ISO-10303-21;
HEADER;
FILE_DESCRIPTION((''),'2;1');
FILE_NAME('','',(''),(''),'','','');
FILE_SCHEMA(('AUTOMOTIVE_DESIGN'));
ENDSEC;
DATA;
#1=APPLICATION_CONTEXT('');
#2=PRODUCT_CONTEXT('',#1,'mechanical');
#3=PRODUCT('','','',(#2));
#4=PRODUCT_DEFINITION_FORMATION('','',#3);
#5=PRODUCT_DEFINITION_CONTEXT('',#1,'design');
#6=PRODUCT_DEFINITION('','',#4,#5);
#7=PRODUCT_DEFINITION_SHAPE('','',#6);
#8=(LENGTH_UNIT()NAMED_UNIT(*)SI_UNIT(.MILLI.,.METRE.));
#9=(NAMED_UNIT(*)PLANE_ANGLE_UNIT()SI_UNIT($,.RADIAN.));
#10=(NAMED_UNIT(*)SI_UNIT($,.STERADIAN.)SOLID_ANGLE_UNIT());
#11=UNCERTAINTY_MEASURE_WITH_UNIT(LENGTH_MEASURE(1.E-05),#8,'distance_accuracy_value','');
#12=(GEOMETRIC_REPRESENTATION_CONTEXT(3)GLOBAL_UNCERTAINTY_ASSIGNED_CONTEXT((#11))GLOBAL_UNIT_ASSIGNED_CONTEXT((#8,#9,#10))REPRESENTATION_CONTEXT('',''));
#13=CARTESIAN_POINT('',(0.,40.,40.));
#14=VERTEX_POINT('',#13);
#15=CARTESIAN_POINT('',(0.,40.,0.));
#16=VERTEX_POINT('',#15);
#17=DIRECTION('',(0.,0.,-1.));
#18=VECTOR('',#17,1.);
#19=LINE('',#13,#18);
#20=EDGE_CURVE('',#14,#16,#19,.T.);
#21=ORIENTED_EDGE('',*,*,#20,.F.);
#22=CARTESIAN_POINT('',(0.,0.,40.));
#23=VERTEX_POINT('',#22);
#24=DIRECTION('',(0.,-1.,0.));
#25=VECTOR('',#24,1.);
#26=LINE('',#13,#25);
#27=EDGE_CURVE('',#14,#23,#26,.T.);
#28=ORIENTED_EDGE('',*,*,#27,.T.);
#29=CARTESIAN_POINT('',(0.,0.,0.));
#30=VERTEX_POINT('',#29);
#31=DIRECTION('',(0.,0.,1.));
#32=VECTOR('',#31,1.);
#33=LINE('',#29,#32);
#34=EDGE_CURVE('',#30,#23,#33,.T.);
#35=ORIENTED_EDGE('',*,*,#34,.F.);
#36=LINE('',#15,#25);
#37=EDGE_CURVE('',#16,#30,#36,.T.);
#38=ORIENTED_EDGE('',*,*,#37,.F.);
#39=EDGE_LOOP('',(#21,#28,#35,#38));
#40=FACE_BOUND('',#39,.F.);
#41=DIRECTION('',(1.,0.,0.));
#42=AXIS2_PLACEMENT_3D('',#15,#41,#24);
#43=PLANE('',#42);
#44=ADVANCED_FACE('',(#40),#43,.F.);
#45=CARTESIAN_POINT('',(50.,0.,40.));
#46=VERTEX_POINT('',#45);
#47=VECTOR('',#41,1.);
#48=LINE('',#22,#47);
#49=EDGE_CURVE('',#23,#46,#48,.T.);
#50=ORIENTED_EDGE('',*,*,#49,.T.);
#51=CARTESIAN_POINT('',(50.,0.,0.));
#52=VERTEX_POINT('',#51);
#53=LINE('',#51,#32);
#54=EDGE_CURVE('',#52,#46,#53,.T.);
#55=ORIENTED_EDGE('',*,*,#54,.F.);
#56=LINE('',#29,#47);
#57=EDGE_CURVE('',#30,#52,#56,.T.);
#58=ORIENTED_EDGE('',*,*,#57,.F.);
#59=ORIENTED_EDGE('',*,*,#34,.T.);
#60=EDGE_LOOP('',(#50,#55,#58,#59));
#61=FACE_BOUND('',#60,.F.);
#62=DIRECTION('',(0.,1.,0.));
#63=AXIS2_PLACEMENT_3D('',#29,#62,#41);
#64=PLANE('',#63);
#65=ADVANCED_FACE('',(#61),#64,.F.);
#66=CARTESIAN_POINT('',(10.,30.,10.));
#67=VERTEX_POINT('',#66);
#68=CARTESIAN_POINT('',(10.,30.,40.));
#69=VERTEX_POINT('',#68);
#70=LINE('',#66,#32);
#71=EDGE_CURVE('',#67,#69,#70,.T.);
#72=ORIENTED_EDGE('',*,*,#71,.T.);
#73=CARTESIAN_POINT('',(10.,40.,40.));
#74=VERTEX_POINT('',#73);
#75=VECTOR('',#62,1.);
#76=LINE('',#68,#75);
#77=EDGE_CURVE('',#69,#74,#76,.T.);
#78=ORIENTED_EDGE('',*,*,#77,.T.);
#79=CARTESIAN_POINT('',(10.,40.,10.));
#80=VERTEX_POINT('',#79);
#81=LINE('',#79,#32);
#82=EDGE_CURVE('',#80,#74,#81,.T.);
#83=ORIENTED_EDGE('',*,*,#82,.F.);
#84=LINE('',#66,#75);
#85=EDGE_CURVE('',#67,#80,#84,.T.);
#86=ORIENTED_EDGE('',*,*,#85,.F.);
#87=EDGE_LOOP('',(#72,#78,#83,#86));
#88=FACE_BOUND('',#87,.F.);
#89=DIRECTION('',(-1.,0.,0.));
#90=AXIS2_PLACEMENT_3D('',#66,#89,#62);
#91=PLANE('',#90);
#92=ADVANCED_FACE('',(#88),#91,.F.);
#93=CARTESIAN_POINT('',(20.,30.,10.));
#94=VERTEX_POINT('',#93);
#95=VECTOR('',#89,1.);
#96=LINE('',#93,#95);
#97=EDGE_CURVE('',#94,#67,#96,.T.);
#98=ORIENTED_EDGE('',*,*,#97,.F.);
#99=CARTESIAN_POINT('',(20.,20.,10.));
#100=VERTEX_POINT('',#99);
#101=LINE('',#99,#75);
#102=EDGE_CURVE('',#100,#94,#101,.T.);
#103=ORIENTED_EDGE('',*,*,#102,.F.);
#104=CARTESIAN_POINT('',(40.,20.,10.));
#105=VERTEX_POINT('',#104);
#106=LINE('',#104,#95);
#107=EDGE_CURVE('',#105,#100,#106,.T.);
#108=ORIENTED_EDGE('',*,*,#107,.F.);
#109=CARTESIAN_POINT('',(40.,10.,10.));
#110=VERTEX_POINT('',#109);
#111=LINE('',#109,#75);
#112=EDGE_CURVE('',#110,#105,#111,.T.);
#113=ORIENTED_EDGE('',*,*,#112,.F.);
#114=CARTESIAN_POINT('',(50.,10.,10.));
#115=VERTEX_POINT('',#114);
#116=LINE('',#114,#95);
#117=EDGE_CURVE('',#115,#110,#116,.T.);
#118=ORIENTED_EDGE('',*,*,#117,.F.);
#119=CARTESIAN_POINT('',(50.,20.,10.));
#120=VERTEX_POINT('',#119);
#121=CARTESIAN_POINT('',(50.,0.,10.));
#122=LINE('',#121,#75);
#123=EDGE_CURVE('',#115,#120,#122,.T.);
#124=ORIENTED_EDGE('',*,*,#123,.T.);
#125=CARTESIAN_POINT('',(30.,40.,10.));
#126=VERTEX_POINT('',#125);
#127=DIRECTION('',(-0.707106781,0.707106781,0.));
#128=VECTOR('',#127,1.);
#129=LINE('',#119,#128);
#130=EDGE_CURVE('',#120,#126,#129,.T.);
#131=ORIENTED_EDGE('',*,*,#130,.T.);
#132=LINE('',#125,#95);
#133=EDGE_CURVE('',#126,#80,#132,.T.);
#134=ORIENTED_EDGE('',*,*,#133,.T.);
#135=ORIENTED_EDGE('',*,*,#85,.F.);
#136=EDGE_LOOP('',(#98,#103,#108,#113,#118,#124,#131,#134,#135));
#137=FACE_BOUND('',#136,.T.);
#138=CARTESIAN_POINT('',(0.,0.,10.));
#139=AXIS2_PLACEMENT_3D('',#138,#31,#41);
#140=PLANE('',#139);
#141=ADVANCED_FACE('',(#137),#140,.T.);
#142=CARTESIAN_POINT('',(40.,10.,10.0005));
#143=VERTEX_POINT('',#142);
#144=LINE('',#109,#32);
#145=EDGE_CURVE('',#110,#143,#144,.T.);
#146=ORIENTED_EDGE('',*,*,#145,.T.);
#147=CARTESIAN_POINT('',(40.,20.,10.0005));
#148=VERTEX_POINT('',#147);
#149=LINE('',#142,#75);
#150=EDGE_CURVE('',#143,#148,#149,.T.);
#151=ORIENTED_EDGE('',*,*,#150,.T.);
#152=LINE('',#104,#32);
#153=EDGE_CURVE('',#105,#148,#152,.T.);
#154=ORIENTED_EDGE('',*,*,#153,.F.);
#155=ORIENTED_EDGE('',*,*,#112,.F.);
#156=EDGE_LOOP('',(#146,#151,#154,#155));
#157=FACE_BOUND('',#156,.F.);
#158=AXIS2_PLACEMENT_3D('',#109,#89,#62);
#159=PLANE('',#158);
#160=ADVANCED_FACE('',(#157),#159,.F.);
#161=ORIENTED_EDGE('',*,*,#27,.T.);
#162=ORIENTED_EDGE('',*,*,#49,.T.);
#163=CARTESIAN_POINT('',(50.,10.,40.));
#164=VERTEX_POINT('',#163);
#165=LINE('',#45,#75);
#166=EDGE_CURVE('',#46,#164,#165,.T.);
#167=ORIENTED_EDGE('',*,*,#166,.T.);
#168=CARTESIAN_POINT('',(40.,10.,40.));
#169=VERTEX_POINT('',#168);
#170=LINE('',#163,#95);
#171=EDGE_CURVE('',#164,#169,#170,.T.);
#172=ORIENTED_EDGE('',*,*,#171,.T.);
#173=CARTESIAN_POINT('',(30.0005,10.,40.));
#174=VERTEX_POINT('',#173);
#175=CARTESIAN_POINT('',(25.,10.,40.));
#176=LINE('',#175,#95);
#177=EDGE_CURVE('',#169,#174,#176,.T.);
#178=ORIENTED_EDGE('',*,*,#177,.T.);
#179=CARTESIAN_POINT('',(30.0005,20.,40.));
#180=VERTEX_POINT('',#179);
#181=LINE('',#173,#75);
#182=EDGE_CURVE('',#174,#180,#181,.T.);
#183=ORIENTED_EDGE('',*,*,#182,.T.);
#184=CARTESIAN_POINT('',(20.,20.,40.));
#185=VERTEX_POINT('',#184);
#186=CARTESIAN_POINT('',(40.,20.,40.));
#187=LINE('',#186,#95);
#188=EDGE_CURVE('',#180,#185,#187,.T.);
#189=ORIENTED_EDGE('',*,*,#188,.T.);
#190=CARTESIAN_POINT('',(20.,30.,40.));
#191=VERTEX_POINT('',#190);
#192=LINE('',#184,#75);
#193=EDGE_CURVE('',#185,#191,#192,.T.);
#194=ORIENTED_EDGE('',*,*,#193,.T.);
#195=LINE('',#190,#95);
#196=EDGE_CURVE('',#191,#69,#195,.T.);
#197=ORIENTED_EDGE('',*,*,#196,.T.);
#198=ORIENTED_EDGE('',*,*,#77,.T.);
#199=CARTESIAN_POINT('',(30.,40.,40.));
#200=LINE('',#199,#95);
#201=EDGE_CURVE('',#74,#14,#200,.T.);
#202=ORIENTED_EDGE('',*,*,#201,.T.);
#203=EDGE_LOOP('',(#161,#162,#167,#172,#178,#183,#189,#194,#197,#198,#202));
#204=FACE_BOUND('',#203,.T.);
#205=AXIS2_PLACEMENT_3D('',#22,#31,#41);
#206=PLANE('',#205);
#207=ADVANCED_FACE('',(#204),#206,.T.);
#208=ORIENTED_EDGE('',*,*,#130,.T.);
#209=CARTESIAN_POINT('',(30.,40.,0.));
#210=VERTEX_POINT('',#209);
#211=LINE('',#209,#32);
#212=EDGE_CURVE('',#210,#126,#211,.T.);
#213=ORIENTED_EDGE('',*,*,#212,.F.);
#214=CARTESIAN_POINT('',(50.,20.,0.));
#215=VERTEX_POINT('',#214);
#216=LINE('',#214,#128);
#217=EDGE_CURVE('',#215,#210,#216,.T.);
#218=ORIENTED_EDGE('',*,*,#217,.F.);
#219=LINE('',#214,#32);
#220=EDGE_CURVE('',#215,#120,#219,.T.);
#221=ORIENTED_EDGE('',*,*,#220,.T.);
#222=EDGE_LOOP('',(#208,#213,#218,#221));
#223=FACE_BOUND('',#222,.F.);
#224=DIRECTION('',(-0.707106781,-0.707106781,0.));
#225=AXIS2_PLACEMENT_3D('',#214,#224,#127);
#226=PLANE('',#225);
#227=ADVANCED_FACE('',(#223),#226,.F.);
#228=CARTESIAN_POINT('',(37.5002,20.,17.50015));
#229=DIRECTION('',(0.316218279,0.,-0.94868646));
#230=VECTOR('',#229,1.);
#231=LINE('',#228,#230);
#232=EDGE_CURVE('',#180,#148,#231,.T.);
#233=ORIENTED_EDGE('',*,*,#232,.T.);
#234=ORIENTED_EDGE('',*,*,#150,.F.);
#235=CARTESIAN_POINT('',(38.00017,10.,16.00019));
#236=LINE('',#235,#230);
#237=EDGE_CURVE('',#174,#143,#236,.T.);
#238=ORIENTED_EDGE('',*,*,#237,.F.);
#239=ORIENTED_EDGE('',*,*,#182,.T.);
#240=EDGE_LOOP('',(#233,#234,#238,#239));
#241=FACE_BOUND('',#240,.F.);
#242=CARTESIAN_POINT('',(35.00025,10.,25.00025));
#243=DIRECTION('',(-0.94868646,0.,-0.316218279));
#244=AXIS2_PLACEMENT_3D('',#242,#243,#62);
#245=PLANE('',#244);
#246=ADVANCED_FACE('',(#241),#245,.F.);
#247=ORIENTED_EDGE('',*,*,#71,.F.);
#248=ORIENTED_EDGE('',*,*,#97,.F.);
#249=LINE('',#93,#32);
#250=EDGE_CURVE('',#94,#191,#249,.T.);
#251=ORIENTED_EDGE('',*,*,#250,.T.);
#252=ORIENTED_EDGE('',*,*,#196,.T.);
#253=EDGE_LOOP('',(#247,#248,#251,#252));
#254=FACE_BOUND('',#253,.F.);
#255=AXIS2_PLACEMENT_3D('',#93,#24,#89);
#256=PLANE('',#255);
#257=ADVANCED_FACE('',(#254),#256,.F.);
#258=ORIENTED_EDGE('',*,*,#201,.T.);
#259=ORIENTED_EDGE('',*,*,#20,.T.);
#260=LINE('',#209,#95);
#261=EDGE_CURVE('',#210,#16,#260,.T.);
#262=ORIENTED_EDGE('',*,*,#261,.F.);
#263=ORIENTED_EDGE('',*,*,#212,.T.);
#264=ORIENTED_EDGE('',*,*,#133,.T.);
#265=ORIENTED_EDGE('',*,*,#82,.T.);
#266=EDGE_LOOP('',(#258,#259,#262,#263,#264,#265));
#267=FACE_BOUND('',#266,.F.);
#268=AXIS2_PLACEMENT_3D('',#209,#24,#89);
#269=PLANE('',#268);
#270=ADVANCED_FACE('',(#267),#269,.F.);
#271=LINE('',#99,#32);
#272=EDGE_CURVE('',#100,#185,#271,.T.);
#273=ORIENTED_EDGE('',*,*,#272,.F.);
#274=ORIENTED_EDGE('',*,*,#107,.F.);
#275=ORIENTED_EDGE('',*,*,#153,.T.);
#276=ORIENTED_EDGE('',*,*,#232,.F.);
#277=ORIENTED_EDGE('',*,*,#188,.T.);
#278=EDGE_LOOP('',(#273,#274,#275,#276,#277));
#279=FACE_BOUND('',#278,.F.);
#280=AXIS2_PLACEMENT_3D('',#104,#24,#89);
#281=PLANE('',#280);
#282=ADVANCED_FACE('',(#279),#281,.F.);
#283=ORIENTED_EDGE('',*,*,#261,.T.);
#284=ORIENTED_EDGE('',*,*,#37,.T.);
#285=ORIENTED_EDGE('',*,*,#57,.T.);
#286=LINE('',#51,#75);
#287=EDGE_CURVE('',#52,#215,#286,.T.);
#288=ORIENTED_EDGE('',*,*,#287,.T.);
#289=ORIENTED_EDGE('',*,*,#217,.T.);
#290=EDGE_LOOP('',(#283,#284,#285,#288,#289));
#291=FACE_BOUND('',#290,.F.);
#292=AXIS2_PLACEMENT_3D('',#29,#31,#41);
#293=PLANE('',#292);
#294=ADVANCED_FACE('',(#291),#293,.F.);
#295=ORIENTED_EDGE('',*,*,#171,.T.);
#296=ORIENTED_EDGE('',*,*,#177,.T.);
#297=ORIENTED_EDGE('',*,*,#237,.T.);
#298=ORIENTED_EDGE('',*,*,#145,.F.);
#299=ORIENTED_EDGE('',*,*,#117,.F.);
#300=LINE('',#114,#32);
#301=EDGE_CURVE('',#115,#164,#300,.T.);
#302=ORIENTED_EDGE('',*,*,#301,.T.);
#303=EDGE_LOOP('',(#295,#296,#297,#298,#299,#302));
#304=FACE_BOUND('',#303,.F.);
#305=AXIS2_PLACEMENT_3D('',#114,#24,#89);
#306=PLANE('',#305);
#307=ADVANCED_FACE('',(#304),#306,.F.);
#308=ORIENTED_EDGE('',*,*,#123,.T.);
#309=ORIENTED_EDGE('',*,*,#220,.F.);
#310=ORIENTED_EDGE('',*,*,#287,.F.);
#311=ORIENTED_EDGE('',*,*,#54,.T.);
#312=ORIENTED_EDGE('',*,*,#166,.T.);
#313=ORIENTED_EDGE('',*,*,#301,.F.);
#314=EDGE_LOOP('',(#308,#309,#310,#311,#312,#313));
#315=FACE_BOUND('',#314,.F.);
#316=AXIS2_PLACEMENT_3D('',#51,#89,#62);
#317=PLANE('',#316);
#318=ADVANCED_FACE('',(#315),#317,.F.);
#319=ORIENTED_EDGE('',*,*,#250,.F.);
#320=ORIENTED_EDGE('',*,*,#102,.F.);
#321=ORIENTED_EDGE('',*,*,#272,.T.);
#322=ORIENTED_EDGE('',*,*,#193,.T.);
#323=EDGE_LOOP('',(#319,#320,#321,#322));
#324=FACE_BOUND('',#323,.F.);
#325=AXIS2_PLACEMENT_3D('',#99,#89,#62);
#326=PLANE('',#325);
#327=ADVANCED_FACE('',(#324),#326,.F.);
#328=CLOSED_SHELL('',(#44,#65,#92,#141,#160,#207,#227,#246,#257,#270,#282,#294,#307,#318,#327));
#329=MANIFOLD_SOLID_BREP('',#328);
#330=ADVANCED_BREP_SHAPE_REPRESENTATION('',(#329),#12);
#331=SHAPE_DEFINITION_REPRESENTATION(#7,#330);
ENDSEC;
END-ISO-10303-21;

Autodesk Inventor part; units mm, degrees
ref_plane "YZ Plane" through (0, 0, 0) normal (1, 0, 0) x (0, 1, 0)
ref_plane "XZ Plane" through (0, 0, 0) normal (0, 1, 0) x (-1, 0, 0)
ref_plane "XY Plane" through (0, 0, 0) normal (0, 0, 1) x (1, 0, 0)
sketch "草圖1" plane through (0, 0, 0) normal (0, 0, 1) x (1, 0, 0)
  line L0 (0, 0) -> (50, 0)
  line L1 (50, 0) -> (50, 20)
  line L2 (50, 20) -> (30, 40)
  line L3 (30, 40) -> (0, 40)
  line L4 (0, 40) -> (0, 0)
  dimension "d0" = 40
  dimension "d1" = 50
  dimension "d2" = 20
  dimension "d3" = 30
extrude "擠出1" add sketch "草圖1" along normal blind 10
sketch "草圖2" plane through (0, 0, 10) normal (0, 0, 1) x (1, 0, 0)
  line L0 (30, 40) -> (0, 40) projected
  line L1 (0, 40) -> (0, 0)
  line L2 (50, 0) -> (50, 20) projected
  line L3 (0, 0) -> (50, 0)
  line L4 (50, 0) -> (50, 10)
  line L5 (50, 10) -> (40, 10)
  line L6 (40, 10) -> (40, 20)
  line L7 (40, 20) -> (20, 20)
  line L8 (20, 20) -> (20, 30)
  line L9 (20, 30) -> (10, 30)
  line L10 (10, 30) -> (10, 40)
  line L11 (10, 40) -> (0, 40)
  dimension "d6" = 10
  dimension "d7" = 10
  dimension "d8" = 10
  dimension "d9" = 10
  dimension "d10" = 20
extrude "擠出2" add sketch "草圖2" along normal blind 30
chamfer "倒角1" distance 10 distance2 30 1 edges at (40, 15, 40) measured on face at (20, 10, 40)
